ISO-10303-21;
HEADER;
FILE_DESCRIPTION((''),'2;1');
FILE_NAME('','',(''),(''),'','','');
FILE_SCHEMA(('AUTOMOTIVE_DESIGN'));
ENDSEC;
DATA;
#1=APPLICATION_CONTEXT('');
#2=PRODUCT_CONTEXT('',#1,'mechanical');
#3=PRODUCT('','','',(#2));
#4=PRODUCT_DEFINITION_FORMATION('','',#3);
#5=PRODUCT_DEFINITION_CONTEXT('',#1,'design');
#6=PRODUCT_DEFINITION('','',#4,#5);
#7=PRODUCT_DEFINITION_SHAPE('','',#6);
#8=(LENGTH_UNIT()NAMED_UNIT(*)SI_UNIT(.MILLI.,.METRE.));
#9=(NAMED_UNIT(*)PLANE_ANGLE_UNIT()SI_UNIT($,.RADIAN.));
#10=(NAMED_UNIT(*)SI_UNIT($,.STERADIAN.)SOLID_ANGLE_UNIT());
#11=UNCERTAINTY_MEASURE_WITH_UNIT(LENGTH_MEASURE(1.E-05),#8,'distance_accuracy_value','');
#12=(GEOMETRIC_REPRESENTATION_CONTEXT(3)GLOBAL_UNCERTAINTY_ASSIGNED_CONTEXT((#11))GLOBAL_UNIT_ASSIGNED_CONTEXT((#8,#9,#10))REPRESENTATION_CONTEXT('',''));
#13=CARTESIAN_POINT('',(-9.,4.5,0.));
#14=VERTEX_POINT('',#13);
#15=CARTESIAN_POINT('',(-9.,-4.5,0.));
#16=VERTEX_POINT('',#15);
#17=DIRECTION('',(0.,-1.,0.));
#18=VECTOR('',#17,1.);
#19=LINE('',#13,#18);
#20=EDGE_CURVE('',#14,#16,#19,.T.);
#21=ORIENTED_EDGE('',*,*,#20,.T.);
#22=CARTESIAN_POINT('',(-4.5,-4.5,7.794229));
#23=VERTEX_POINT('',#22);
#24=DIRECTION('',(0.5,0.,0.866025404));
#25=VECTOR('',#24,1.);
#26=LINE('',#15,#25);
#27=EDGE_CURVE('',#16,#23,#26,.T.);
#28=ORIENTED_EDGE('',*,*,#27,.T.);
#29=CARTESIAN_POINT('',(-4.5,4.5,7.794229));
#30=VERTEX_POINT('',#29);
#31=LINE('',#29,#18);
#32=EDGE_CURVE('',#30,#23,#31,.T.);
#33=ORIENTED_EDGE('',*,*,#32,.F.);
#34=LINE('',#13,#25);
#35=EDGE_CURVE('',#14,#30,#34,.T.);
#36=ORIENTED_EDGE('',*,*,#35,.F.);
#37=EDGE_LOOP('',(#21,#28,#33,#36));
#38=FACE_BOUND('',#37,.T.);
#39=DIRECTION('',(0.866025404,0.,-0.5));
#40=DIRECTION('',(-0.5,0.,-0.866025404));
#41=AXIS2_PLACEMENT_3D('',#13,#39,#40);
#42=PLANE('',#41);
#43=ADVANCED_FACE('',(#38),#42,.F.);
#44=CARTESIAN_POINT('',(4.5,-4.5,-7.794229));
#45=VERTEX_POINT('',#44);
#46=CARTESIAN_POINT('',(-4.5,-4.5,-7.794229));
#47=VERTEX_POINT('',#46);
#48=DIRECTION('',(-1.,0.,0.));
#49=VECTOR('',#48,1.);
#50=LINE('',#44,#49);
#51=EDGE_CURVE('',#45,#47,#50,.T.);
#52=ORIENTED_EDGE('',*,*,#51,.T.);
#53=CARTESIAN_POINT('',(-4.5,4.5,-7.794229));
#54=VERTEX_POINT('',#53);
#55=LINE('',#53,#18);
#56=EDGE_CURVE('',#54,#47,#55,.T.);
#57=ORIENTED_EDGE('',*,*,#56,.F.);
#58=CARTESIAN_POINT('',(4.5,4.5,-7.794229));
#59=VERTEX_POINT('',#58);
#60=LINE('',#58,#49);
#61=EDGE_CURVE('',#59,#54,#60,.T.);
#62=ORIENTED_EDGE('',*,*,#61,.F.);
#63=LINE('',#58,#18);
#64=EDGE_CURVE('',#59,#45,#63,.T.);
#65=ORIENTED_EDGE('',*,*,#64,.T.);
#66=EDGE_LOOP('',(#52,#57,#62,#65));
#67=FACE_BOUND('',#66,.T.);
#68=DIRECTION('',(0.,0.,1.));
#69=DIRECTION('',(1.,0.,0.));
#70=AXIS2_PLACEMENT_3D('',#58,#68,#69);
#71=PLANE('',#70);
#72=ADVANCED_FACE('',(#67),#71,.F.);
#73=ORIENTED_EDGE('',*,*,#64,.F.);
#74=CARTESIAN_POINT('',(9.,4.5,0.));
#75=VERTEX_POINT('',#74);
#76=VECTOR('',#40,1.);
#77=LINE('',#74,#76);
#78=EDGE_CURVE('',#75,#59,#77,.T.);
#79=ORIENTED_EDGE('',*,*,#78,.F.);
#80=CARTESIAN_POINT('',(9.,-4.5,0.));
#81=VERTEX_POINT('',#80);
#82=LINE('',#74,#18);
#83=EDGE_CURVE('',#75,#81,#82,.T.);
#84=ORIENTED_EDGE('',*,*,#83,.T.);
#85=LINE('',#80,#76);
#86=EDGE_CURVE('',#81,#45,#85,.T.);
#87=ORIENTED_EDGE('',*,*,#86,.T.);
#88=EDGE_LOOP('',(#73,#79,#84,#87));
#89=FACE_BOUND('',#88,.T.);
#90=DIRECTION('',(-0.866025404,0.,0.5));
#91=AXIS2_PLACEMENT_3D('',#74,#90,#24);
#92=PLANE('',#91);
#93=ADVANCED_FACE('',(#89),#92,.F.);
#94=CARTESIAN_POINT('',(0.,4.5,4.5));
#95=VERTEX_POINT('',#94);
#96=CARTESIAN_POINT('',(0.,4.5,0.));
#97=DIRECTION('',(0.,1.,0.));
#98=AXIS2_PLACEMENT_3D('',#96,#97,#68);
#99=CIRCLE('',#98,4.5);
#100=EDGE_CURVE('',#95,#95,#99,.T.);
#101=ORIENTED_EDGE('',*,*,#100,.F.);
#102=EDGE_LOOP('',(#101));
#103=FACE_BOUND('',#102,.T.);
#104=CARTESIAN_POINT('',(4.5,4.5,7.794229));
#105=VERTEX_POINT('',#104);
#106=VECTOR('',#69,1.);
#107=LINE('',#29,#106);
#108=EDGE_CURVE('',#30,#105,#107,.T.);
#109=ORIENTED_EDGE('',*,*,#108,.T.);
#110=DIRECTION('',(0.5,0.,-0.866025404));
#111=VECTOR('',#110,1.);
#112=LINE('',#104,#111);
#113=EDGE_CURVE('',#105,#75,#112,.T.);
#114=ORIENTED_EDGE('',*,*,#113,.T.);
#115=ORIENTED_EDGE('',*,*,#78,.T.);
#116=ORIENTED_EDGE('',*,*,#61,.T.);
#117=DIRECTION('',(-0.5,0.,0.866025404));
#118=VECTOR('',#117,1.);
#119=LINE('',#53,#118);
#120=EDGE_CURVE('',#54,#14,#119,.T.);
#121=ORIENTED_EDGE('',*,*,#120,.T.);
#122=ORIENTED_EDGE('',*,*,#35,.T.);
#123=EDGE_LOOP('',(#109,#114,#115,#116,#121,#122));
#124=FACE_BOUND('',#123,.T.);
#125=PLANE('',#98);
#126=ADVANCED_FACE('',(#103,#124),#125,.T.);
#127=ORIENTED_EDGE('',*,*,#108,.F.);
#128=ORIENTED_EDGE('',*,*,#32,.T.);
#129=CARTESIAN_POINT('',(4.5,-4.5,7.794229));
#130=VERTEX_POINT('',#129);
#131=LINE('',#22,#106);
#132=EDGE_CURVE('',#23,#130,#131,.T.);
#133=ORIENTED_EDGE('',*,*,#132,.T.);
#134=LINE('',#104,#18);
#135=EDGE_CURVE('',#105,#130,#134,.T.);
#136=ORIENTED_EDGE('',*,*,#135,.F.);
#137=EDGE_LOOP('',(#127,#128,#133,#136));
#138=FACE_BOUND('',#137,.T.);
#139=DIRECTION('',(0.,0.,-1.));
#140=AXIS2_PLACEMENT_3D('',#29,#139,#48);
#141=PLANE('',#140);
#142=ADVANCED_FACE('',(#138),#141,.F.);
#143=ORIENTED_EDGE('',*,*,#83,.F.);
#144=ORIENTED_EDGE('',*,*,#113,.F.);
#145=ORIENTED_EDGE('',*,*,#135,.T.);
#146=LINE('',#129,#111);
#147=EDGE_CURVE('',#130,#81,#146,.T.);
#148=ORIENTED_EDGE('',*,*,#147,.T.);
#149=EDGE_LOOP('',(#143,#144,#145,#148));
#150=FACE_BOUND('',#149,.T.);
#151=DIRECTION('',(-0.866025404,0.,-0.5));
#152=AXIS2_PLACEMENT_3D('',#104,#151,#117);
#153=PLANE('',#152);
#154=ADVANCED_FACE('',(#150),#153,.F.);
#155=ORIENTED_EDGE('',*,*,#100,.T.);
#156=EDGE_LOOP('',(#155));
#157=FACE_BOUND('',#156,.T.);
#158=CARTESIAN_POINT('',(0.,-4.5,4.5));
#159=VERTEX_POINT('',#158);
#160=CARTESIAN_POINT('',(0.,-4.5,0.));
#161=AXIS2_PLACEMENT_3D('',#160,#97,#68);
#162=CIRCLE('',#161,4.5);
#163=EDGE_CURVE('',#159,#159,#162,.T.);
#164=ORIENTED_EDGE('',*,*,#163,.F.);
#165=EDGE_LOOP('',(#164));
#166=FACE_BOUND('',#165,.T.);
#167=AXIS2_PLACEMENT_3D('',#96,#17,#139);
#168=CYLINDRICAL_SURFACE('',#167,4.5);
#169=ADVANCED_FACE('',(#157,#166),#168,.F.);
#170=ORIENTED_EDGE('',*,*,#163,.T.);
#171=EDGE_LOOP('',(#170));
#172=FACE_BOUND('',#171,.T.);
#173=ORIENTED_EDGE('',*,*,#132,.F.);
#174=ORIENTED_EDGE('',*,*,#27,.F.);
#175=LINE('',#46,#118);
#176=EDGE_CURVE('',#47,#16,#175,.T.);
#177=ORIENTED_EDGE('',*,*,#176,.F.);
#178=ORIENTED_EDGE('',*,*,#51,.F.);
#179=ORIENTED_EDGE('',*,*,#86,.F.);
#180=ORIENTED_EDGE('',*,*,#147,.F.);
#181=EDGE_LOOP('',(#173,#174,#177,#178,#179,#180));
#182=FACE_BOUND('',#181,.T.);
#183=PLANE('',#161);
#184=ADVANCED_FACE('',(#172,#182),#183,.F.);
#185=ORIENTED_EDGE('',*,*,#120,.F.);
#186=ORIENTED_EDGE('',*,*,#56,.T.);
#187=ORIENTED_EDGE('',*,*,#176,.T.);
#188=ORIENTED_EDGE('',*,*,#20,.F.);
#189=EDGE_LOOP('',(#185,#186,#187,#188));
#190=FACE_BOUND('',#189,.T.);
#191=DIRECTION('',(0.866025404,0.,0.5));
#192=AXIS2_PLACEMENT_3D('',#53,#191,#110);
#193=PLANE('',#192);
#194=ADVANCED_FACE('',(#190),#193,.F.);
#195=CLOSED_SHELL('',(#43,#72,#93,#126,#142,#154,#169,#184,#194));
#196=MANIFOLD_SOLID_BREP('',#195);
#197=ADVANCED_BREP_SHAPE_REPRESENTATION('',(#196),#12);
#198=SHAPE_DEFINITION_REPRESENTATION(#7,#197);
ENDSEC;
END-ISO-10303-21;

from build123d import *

# Parameters (mm, degrees)
SKETCH1_R           = 4.5
BOSS_EXTRUDE1_DEPTH = 4.5


with BuildPart() as part:
    # Sketch1 → Boss-Extrude1 (new body, symmetric)
    with BuildSketch(Plane(origin=(0, 0, 0), x_dir=(1, 0, 0), z_dir=(0, 1, 0))):
        Polygon((4.5, -7.794228634), (9, 0), (4.5, 7.794228634), (-4.5, 7.794228634), (-9, 0), (-4.5, -7.794228634), align=None)
        with Locations(Location((0, 0, 0), (0, 0, 270))):  # turned: the seam where the file's is
            Circle(SKETCH1_R, mode=Mode.SUBTRACT)
    extrude(amount=BOSS_EXTRUDE1_DEPTH, both=True)


solid = part.part
